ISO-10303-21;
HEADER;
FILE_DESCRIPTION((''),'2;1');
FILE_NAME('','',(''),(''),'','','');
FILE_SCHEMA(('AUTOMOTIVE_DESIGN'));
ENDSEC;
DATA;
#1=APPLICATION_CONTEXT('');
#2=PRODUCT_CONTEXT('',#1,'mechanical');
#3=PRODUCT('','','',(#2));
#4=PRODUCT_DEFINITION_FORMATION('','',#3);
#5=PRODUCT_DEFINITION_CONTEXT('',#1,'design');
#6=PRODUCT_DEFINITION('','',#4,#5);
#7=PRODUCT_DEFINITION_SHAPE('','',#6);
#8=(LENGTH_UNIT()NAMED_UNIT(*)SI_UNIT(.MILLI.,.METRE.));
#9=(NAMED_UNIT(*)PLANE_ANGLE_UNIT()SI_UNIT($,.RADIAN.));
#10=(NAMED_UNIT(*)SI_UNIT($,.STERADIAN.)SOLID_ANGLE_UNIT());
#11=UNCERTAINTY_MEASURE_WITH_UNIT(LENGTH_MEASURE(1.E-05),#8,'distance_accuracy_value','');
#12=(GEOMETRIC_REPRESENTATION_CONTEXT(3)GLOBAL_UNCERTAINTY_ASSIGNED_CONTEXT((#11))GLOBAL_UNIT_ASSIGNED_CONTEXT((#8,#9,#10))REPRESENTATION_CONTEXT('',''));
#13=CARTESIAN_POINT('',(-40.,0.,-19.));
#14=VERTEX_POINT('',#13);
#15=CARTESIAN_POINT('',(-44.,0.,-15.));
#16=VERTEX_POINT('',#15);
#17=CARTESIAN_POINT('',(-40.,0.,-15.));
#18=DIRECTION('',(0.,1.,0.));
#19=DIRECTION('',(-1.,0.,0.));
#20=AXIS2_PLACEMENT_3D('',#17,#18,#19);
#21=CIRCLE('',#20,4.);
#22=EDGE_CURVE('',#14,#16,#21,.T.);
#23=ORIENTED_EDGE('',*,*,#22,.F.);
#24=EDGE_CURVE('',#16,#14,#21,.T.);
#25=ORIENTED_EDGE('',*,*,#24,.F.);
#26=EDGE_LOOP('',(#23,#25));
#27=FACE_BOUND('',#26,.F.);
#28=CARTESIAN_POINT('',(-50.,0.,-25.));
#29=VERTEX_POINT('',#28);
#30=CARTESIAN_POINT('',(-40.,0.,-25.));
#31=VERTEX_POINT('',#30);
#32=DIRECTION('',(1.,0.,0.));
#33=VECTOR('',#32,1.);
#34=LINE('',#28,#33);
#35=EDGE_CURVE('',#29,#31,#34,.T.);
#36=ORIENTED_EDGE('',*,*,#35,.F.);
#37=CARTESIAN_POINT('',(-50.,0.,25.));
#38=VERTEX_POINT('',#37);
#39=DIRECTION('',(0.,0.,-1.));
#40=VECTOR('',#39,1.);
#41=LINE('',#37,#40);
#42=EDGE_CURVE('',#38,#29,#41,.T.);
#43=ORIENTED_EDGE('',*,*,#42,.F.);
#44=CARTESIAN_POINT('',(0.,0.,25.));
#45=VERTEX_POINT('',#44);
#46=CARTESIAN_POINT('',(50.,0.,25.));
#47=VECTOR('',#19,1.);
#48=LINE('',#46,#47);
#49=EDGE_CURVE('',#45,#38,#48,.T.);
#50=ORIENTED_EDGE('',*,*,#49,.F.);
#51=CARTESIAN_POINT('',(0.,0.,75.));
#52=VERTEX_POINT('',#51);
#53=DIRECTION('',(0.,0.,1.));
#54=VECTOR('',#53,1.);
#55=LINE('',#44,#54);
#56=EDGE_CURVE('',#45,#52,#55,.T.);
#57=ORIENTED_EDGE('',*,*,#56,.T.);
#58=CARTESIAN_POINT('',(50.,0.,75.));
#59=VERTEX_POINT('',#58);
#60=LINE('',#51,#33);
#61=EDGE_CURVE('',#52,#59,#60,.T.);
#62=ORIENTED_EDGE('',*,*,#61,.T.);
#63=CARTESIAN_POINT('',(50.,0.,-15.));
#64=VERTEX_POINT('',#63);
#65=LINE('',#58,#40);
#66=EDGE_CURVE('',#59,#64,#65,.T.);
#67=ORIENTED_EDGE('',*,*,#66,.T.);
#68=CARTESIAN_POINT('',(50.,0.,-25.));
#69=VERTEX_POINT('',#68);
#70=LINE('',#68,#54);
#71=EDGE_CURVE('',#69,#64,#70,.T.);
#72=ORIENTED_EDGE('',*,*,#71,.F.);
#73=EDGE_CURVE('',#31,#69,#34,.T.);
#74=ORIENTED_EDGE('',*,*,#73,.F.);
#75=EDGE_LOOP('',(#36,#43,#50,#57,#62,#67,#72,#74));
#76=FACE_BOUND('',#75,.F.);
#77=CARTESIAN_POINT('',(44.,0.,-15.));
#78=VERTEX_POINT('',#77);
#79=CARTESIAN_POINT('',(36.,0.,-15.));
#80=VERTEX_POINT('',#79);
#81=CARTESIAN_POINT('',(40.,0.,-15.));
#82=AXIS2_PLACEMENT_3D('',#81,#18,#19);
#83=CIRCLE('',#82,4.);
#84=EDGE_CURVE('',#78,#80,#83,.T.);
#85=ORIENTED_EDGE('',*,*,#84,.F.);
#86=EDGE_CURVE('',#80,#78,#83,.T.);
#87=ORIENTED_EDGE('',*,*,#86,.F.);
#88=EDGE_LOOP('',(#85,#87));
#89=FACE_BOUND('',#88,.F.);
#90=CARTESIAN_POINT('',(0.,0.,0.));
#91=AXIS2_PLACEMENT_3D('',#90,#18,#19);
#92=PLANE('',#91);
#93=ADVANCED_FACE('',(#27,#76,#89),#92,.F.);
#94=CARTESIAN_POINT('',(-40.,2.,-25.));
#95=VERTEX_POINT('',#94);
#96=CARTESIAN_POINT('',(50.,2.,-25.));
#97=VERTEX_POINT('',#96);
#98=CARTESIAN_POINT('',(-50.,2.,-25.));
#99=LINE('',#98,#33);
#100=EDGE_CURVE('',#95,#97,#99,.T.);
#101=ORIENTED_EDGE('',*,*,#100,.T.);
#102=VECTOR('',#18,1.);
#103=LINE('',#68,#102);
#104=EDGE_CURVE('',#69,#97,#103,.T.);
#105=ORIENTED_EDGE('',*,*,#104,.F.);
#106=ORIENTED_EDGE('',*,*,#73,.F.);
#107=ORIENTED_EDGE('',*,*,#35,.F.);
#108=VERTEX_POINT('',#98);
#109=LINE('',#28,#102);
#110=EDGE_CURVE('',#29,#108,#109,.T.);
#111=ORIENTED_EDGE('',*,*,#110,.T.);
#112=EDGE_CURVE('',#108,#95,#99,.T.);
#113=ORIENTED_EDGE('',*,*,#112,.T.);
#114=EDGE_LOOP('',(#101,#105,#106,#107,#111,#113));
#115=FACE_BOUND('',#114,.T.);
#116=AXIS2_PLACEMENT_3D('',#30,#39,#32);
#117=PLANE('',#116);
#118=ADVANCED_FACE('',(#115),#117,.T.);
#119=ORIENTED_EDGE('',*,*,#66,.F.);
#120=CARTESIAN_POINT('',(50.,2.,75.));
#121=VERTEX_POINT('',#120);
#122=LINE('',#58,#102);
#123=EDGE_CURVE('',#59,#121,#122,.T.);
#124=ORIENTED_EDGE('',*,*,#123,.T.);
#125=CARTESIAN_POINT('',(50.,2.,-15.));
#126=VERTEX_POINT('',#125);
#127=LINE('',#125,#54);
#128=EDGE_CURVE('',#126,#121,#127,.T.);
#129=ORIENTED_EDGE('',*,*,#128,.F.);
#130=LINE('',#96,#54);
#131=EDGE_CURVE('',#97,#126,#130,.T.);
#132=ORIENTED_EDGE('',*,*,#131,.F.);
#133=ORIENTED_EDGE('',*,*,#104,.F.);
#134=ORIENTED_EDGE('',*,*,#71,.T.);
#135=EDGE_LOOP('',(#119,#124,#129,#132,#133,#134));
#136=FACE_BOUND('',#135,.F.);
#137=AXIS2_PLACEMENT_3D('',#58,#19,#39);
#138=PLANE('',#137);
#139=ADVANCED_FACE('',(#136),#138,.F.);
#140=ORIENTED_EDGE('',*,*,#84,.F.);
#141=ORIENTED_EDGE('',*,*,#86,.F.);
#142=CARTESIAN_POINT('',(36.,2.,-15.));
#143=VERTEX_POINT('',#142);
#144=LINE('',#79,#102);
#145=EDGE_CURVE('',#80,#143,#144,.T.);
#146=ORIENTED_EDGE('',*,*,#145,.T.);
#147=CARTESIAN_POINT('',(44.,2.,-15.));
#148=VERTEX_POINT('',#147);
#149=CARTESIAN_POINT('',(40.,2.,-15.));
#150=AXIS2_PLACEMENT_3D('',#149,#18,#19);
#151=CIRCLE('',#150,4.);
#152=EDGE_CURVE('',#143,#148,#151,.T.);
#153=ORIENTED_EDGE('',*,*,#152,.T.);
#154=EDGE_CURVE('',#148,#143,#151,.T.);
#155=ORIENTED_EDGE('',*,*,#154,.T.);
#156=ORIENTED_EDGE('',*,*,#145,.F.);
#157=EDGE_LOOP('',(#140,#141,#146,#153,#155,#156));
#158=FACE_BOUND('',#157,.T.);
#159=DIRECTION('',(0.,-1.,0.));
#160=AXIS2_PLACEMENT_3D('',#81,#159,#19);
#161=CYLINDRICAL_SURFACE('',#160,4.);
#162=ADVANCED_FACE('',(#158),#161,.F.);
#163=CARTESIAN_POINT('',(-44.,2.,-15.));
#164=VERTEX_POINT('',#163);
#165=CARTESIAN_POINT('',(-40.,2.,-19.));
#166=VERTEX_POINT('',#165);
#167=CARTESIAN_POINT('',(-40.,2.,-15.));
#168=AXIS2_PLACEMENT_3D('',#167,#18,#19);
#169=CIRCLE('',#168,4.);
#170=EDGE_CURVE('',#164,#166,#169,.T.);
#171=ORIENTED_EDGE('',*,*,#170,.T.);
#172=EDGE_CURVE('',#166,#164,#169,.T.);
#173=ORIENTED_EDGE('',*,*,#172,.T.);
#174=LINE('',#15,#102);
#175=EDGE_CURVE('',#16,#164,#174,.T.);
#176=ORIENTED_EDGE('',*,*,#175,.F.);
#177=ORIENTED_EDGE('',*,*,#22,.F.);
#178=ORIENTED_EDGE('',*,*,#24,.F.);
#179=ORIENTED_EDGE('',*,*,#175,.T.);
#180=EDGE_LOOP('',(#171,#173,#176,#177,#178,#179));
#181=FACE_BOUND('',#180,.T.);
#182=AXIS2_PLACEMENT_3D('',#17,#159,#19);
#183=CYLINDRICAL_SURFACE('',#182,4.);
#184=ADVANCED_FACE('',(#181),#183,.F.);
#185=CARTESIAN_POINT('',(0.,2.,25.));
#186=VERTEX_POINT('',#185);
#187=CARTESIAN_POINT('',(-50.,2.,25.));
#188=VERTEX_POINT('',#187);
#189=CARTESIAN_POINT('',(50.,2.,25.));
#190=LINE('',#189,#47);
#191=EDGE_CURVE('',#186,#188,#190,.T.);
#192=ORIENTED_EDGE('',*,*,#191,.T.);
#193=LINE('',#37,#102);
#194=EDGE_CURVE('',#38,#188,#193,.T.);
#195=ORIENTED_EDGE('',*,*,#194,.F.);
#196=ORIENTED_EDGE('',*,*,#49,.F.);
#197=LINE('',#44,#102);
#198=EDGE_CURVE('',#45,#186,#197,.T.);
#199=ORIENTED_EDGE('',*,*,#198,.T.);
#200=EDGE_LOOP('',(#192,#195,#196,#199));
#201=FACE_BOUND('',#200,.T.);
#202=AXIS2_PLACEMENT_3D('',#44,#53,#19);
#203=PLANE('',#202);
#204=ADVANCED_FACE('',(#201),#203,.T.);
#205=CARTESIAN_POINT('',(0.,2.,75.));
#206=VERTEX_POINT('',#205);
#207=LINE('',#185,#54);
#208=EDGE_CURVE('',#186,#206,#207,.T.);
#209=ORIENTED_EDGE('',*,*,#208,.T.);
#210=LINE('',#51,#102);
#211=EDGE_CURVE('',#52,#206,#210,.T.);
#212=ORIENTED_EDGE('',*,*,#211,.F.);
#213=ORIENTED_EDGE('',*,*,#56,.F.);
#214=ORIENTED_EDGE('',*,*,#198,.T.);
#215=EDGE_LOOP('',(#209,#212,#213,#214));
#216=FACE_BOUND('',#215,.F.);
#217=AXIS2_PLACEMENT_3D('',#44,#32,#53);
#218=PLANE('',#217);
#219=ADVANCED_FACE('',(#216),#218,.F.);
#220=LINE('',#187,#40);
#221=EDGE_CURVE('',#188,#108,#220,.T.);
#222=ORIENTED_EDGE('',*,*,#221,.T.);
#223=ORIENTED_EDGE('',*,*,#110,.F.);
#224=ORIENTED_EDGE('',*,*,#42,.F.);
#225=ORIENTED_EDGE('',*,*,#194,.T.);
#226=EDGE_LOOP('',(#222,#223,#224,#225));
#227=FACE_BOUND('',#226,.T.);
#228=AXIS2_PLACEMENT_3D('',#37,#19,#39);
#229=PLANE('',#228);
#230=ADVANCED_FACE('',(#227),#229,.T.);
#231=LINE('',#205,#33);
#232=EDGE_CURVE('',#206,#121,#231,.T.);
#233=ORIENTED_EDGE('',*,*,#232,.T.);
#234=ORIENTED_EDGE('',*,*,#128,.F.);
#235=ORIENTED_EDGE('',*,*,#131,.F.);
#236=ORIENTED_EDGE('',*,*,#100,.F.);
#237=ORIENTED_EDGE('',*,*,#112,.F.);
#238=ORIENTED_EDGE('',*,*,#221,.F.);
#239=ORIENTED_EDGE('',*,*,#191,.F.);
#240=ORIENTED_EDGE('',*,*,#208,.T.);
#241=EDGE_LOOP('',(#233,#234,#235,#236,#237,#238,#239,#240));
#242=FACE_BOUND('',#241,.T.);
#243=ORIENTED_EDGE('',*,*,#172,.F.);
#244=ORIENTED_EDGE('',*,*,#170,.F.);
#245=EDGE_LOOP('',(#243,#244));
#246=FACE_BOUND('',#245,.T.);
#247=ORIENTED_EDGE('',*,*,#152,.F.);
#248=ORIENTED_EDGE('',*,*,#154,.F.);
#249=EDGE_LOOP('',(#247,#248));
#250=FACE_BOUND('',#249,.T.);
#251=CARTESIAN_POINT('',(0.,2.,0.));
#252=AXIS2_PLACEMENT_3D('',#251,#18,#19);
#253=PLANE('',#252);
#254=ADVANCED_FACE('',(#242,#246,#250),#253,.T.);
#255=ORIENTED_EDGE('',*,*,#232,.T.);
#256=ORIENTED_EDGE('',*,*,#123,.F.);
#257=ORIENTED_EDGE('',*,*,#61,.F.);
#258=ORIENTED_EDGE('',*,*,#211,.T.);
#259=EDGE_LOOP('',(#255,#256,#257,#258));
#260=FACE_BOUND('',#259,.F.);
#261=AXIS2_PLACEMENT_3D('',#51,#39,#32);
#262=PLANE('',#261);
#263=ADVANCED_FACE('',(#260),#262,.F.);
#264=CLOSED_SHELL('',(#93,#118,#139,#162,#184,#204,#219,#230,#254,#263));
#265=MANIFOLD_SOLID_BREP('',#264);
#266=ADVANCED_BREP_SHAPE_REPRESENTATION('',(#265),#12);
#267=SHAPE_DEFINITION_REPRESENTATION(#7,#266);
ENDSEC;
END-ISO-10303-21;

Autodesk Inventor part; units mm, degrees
ref_plane "YZ Plane" through (0, 0, 0) normal (1, 0, 0) x (0, 1, 0)
ref_plane "XZ Plane" through (0, 0, 0) normal (0, 1, 0) x (-1, 0, 0)
ref_plane "XY Plane" through (0, 0, 0) normal (0, 0, 1) x (1, 0, 0)
sketch "Sketch1" plane through (0, 0, 0) normal (0, 1, 0) x (-1, 0, 0)
  line L0 (-50, 25) -> (50, 25)
  line L1 (50, 25) -> (50, -25)
  line L2 (50, -25) -> (-50, -25)
  line L3 (-50, -25) -> (-50, 25)
  line L4 (-50, 25) -> (0, 25)
  line L5 (0, 25) -> (0, 75)
  line L6 (0, 75) -> (-50, 75)
  line L7 (-50, 75) -> (-50, 25)
  line L8 (50, -25) -> (40, -25)
  line L9 (40, -25) -> (40, -15)
  line L10 (-50, -25) -> (-50, -15)
  line L11 (-50, -15) -> (-40, -15)
  circle A0 centre (40, -15) radius 4
  circle A1 centre (-40, -15) radius 4
  point P0 (0, 0)
  point P1 (0, 25)
  dimension "d0" = 100
  dimension "d1" = 50
  dimension "d2" = 50
  dimension "d3" = 50
  dimension "d4" = 10
  dimension "d5" = 10
  dimension "d6" = 10
  dimension "d7" = 10
  dimension "d8" = 8
  dimension "d9" = 8
  dimension "d12" = 90
  dimension "d13" = 90
extrude "Extrusion1" add sketch "Sketch1" along normal blind 2
properties part number "Pinz"
